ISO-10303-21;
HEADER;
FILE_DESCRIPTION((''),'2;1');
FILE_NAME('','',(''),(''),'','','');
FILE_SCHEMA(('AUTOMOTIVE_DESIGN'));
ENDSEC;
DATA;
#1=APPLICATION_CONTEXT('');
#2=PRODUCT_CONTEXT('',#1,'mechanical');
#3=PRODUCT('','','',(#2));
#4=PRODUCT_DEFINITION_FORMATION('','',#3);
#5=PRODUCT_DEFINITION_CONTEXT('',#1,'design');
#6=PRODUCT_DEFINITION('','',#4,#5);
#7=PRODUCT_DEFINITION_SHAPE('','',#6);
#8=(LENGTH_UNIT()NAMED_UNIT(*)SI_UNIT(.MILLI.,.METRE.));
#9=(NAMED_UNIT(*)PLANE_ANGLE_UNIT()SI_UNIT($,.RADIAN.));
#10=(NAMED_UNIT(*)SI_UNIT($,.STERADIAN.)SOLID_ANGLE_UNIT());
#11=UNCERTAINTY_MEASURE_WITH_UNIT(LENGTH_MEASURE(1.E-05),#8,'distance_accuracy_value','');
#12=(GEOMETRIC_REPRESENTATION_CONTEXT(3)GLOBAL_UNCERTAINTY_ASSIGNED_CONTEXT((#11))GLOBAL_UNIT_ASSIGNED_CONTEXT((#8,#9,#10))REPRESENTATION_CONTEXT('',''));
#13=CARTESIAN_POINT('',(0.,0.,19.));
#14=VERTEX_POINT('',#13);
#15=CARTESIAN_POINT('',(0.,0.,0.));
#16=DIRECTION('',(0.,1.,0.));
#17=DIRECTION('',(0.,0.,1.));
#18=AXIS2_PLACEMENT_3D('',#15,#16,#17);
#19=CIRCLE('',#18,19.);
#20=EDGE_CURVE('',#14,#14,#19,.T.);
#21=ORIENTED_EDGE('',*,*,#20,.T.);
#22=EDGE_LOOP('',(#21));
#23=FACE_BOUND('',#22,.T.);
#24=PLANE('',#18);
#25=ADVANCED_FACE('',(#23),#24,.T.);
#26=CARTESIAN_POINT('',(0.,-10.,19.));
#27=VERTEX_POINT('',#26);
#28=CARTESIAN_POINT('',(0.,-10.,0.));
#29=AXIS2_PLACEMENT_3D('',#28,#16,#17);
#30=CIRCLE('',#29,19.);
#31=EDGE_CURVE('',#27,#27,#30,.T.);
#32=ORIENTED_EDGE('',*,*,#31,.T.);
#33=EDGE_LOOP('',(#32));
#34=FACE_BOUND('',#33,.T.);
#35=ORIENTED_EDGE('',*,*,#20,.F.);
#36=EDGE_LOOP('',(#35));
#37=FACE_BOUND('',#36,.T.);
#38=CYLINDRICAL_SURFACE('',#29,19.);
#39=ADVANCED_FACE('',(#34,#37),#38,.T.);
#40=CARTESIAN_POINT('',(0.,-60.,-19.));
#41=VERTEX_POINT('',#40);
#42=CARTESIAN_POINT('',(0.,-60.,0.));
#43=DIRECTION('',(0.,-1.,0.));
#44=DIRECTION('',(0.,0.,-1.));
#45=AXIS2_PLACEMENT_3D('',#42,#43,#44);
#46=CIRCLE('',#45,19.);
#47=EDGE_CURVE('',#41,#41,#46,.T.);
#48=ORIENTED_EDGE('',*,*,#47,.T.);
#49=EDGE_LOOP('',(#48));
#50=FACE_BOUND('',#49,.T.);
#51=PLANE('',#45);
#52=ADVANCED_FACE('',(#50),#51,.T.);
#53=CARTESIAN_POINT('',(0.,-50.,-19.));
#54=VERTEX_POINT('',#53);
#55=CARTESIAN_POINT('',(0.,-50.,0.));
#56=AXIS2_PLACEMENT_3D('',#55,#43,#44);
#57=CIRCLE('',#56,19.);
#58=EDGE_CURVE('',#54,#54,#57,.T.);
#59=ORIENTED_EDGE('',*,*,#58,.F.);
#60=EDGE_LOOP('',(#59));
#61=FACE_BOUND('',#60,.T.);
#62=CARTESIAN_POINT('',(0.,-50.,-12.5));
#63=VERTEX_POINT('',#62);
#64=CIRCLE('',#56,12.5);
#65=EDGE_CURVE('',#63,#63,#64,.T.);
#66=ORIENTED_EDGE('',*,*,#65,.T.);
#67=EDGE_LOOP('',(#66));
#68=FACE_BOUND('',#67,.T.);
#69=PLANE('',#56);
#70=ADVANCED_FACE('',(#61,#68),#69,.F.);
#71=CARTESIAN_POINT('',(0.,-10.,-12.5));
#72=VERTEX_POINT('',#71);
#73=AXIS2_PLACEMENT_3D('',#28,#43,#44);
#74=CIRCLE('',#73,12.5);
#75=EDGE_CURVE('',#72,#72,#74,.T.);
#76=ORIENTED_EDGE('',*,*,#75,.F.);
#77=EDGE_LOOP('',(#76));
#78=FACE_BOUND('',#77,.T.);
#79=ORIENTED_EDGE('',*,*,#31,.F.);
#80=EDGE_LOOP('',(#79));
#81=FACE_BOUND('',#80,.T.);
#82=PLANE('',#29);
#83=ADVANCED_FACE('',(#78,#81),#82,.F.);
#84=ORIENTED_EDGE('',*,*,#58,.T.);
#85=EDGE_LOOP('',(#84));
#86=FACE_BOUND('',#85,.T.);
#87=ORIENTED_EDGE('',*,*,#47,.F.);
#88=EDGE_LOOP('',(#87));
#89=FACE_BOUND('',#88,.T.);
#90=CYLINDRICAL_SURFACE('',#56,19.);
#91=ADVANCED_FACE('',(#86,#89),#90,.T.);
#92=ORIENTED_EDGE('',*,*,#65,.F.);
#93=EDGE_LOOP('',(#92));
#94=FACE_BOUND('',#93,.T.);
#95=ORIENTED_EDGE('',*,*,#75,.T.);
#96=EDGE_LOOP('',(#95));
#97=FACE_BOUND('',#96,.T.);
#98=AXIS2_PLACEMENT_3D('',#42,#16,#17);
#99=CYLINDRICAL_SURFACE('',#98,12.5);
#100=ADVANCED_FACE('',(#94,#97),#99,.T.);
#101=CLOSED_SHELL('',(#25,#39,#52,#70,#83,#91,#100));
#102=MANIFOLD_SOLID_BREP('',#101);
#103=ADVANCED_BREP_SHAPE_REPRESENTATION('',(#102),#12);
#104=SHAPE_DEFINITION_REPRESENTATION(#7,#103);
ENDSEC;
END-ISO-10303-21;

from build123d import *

# Parameters (mm, degrees)
SKETCH1_R           = 19
BOSS_EXTRUDE1_DEPTH = 10
SKETCH2_R           = 12.5
BOSS_EXTRUDE2_DEPTH = 50
SKETCH4_R           = 19
BOSS_EXTRUDE3_DEPTH = 10


with BuildPart() as part:
    # Sketch1 → Boss-Extrude1 (new body)
    with BuildSketch(Plane(origin=(0, 0, 0), x_dir=(1, 0, 0), z_dir=(0, 1, 0))):
        Circle(SKETCH1_R)
    extrude(amount=-BOSS_EXTRUDE1_DEPTH)

    # Sketch2 → Boss-Extrude2 (add)
    with BuildSketch(Plane.XZ.offset(10)):
        Circle(SKETCH2_R)
    extrude(amount=BOSS_EXTRUDE2_DEPTH)

    # Sketch4 → Boss-Extrude3 (add)
    with BuildSketch(Plane.XZ.offset(60)):
        Circle(SKETCH4_R)
    extrude(amount=-BOSS_EXTRUDE3_DEPTH)


solid = part.part
